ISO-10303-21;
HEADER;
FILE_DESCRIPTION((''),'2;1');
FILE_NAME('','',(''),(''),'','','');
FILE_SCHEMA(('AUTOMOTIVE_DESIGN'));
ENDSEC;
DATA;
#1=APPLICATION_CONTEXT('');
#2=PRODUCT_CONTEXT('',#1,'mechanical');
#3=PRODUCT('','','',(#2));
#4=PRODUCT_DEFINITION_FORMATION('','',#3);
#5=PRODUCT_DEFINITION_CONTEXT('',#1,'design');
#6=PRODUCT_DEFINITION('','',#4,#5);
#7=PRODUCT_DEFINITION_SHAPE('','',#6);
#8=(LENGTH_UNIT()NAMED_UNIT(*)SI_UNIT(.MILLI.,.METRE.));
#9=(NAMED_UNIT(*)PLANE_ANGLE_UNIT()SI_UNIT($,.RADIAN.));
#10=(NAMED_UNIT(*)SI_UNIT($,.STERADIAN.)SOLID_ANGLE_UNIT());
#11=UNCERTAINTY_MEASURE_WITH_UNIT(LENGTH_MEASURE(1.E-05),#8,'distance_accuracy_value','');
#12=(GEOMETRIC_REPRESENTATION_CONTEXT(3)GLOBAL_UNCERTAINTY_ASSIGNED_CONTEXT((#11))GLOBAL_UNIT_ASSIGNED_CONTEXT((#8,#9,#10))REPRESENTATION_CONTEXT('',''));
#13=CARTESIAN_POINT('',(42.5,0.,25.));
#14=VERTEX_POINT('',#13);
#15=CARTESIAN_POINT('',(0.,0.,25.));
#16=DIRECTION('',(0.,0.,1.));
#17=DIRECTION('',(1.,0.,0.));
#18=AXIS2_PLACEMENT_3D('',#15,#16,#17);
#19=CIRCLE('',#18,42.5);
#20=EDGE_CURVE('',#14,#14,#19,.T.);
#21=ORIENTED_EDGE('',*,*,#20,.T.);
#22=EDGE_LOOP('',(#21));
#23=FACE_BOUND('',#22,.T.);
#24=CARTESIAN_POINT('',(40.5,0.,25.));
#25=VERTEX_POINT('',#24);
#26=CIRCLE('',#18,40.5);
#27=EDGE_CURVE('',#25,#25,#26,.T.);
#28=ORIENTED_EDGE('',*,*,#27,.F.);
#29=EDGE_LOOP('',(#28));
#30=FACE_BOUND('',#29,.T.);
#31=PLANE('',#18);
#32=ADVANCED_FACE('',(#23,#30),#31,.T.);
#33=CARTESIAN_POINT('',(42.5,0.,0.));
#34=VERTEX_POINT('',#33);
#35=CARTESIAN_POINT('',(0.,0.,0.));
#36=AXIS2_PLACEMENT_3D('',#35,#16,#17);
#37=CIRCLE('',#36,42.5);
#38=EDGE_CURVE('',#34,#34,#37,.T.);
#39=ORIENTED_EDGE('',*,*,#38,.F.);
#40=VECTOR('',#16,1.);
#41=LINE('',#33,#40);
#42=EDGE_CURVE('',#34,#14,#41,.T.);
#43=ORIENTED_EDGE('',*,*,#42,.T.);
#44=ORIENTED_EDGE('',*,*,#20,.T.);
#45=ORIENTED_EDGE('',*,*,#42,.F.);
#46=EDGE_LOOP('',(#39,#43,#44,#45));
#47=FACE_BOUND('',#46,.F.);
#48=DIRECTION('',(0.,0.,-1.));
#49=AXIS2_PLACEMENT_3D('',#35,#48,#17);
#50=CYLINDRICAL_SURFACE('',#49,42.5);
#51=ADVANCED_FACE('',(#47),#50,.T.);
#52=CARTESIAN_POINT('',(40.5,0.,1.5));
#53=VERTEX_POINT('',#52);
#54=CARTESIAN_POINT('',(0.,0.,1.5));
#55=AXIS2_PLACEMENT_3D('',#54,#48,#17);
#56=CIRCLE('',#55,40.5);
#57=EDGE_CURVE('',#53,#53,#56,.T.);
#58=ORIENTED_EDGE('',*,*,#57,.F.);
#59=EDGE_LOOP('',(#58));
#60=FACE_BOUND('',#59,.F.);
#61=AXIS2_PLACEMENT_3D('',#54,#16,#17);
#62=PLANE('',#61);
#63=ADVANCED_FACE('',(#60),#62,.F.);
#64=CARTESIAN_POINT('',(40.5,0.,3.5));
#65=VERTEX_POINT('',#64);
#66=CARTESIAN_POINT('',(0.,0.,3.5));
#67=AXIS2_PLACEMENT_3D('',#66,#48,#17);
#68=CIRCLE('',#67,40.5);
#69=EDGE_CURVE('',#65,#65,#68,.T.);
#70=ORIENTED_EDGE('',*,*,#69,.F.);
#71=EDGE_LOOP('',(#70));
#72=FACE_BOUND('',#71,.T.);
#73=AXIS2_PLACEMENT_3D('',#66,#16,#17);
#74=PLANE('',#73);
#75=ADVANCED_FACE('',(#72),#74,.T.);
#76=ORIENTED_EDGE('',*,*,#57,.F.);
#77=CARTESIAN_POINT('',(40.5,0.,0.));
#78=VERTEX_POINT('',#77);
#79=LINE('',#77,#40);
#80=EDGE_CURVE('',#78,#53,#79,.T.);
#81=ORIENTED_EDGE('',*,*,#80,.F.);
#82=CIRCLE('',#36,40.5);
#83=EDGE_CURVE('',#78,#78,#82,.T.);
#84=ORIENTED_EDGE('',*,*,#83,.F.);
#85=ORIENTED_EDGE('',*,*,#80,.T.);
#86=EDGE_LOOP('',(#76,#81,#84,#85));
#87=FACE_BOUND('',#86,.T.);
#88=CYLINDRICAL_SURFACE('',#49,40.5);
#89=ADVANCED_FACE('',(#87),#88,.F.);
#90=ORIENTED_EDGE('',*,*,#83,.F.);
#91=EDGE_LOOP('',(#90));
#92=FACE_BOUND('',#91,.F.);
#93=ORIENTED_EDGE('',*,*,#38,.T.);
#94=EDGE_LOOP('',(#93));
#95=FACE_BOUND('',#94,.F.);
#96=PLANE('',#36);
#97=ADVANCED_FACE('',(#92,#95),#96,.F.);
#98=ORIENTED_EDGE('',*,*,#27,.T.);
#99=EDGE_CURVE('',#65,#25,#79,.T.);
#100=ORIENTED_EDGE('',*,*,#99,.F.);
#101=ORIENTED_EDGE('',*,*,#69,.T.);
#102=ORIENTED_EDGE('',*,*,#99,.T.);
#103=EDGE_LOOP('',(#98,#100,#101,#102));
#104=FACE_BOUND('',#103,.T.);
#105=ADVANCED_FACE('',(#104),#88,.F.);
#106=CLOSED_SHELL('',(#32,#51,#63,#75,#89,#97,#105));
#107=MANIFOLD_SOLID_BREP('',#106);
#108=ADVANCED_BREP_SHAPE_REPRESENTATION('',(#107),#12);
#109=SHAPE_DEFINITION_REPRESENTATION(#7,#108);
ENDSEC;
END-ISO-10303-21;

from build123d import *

# Parameters (mm, degrees)
F0_R     = 42.130231
F1_DEPTH = 2
F3_R     = 42.5
F3_R_2   = 40.5
F4_DEPTH = 25


with BuildPart() as f1:
    # F0 (on Top) → F1 (new body)
    with BuildSketch(Plane.XY):
        Circle(F0_R)
    extrude(amount=F1_DEPTH)


with BuildPart() as f1_1:
    # F2: moved
    add(f1.part.moved(Location((0, 0, 1.5))))

    # F3 (on Top) → F4 (join)
    with BuildSketch(Plane.XY):
        Circle(F3_R)
        Circle(F3_R_2, mode=Mode.SUBTRACT)
    extrude(amount=F4_DEPTH)


solid = f1_1.part
